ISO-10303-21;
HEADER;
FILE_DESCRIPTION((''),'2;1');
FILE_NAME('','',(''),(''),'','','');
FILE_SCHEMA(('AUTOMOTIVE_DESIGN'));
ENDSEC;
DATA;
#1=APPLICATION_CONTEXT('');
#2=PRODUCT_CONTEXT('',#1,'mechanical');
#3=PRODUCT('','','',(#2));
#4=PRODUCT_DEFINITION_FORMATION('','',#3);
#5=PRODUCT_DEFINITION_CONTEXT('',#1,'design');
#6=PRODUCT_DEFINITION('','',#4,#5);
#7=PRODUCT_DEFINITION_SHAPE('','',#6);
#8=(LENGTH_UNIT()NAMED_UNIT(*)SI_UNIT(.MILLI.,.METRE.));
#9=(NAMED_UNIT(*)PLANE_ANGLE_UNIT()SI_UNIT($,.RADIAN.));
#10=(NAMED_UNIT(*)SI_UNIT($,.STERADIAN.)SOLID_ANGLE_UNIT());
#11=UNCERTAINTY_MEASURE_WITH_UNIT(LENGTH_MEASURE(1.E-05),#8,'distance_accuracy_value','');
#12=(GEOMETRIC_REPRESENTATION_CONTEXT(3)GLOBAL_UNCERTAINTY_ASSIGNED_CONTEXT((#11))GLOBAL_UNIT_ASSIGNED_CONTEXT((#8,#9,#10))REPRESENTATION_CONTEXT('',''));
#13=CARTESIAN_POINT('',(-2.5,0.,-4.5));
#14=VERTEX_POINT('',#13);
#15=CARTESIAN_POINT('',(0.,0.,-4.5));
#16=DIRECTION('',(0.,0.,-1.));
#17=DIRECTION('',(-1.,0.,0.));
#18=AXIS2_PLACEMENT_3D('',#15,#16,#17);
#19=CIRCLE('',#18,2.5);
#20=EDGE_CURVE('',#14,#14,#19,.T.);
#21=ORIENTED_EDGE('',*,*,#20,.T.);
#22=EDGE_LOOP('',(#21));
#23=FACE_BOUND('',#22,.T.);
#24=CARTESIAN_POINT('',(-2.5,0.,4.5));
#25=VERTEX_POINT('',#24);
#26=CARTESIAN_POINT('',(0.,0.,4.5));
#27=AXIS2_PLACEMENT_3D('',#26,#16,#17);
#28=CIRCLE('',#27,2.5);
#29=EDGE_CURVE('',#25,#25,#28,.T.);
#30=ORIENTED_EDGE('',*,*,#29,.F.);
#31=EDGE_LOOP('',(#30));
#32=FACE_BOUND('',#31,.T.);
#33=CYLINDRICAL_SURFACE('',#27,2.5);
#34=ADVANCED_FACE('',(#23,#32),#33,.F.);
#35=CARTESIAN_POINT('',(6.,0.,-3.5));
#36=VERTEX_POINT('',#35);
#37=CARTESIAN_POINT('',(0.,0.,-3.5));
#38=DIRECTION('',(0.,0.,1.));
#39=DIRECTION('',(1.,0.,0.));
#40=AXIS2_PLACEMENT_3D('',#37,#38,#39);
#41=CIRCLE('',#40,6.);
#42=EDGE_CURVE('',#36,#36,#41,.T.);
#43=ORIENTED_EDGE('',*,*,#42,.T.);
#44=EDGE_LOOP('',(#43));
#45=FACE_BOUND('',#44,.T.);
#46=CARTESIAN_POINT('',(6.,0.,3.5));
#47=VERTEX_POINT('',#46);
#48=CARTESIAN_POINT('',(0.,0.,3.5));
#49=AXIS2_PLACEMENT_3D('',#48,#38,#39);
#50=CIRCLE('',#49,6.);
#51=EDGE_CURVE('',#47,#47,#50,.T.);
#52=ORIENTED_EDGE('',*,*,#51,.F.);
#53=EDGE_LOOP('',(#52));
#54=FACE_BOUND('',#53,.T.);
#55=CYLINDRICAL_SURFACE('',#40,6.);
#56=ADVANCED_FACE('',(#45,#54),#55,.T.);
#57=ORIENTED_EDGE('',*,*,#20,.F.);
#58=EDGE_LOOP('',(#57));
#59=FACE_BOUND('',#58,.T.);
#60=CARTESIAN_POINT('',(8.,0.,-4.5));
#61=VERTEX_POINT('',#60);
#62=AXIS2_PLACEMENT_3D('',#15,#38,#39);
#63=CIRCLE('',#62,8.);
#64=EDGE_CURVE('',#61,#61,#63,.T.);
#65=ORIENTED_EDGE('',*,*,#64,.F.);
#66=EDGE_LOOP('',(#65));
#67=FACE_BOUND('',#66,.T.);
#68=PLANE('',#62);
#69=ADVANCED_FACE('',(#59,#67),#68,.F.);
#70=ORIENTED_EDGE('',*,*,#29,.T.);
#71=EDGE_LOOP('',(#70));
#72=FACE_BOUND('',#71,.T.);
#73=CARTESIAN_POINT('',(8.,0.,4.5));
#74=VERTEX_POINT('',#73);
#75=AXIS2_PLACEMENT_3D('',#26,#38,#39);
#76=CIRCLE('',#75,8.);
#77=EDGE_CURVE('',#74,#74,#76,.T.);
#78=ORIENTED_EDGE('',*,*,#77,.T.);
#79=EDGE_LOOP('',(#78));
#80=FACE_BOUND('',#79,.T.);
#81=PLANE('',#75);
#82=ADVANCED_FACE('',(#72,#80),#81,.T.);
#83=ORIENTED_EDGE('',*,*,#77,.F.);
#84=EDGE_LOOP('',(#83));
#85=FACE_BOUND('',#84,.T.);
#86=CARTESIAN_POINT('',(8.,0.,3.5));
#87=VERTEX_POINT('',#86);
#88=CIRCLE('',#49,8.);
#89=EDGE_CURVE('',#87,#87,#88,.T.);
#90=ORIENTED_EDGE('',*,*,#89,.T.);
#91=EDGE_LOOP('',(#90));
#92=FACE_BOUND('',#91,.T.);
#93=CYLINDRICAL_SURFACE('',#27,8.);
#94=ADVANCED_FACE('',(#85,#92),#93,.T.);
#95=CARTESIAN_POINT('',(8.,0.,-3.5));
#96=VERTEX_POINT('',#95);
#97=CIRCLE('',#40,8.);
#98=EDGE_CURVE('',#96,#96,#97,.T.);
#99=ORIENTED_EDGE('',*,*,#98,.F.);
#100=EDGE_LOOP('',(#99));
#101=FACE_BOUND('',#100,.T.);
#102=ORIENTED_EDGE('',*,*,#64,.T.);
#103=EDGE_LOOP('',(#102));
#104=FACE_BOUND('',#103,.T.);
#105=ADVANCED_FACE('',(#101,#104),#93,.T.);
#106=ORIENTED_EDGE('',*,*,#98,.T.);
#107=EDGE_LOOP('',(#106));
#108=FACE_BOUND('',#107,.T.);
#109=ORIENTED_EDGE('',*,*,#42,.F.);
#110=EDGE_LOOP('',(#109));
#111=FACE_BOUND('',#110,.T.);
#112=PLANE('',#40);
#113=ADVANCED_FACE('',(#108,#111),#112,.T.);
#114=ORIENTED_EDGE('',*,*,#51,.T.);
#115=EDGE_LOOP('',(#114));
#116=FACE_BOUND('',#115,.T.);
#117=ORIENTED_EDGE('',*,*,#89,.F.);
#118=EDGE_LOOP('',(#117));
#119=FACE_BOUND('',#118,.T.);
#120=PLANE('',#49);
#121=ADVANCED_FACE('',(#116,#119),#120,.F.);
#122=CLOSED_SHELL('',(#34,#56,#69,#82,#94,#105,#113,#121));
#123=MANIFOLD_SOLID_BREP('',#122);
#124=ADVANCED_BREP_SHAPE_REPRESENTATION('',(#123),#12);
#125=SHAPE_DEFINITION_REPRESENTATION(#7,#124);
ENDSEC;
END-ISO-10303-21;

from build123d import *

# Parameters (mm, degrees)
SKETCH3_R           = 8
BOSS_EXTRUDE1_DEPTH = 4.5
SKETCH4_R           = 2.5
CUT_EXTRUDE1_DEPTH  = 15.456832295
SKETCH6_R           = 8
SKETCH6_R_2         = 6
CUT_EXTRUDE2_DEPTH  = 3.5


with BuildPart() as part:
    # Sketch3 → Boss-Extrude1 (new, symmetric)
    with BuildSketch(Plane.XY):
        Circle(SKETCH3_R)
    extrude(amount=BOSS_EXTRUDE1_DEPTH, both=True)

    # Sketch4 → Cut-Extrude1 (cut, through all)
    with BuildSketch(Plane(origin=(0, 0, -4.5), x_dir=(-1, 0, 0), z_dir=(0, 0, -1))):
        Circle(SKETCH4_R)
    extrude(amount=-CUT_EXTRUDE1_DEPTH, mode=Mode.SUBTRACT)

    # Sketch6 → Cut-Extrude2 (cut, symmetric)
    with BuildSketch(Plane.XY):
        Circle(SKETCH6_R)
        Circle(SKETCH6_R_2, mode=Mode.SUBTRACT)
    extrude(amount=CUT_EXTRUDE2_DEPTH, both=True, mode=Mode.SUBTRACT)


solid = part.part
